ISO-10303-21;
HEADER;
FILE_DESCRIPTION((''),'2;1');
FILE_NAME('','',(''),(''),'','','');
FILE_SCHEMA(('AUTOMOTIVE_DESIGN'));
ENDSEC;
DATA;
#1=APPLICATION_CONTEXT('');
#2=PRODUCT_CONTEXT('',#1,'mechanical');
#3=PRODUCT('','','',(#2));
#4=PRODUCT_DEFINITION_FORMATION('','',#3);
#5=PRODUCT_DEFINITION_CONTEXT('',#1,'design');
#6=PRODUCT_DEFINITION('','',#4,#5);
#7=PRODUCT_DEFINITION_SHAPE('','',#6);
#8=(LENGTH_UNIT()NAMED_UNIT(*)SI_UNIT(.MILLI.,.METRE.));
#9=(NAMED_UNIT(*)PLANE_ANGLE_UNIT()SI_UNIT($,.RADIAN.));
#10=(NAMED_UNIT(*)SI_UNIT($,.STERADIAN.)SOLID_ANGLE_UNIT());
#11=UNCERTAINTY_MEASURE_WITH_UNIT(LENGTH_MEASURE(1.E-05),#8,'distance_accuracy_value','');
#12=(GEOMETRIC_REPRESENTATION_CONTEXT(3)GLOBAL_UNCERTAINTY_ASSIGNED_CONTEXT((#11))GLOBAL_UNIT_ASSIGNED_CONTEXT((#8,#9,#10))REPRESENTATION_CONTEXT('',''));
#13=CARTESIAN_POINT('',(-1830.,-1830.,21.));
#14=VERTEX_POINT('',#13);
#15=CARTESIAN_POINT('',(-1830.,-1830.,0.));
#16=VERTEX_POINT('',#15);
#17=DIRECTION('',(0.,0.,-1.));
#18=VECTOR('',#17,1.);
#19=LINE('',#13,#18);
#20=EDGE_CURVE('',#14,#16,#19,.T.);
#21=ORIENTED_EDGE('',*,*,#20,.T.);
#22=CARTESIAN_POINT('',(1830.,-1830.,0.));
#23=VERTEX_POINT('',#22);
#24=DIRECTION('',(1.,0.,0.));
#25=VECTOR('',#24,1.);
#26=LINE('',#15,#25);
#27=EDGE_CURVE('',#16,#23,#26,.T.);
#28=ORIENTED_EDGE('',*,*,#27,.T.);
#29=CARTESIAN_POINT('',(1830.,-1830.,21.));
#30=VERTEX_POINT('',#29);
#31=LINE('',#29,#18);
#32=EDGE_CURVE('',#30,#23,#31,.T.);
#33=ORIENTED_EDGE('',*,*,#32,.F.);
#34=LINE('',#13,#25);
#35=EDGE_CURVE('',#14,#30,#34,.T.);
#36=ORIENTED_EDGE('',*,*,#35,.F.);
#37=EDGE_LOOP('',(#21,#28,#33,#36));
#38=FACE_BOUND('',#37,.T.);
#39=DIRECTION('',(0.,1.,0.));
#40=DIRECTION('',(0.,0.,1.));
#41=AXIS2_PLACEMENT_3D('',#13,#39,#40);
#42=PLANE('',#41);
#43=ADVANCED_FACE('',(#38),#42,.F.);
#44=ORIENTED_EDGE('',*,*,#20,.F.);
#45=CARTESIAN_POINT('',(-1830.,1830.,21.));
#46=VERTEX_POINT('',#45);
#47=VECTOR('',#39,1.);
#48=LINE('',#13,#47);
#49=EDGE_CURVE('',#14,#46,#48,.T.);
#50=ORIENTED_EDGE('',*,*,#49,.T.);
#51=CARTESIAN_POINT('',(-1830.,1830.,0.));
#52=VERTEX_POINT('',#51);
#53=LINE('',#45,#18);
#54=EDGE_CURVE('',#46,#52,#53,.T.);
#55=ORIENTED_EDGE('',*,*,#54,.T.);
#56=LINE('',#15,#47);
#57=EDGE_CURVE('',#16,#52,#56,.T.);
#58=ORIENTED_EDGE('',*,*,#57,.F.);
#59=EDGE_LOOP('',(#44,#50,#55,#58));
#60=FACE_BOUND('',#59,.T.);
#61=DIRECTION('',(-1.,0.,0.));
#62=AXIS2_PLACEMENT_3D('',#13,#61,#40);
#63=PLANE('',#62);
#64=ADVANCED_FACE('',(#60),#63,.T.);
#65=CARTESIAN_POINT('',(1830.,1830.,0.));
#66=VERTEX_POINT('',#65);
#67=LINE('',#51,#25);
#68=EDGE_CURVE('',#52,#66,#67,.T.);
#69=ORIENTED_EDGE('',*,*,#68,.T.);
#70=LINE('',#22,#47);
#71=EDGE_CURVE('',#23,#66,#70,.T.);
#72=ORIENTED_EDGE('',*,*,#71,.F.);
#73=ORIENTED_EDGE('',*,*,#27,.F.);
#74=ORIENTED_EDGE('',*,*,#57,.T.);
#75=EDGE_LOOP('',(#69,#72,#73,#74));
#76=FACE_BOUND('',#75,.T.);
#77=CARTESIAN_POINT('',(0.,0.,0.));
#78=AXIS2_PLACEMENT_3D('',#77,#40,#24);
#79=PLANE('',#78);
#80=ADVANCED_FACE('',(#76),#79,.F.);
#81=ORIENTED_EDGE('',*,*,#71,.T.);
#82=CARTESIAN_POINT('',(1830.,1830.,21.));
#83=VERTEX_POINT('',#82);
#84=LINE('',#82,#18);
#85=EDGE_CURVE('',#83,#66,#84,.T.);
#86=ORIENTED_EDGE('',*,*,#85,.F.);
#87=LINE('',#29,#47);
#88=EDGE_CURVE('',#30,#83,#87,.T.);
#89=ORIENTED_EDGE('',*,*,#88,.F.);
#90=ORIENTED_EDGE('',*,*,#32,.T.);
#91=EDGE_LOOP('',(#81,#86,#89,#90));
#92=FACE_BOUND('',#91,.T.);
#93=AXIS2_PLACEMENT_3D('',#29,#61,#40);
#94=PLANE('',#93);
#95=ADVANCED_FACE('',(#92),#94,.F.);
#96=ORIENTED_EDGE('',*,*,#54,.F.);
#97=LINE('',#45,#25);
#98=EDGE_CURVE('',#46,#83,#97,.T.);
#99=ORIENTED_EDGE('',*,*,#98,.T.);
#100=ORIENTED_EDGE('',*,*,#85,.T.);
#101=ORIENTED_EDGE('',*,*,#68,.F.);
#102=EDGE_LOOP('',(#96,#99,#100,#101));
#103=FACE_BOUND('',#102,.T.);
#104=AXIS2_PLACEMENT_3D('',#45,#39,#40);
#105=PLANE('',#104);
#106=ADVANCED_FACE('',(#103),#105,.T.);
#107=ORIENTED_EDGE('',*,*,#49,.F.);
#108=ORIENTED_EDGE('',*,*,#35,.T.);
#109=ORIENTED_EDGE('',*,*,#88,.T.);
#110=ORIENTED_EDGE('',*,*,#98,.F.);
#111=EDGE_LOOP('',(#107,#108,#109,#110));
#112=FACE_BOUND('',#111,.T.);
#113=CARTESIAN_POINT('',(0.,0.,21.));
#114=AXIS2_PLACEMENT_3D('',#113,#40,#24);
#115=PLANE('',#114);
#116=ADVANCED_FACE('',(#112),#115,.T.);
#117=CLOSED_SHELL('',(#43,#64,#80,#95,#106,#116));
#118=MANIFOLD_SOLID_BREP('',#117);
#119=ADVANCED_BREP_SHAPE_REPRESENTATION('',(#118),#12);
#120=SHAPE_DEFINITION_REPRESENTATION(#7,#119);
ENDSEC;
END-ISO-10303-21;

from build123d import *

# Parameters (mm, degrees)
SKETCH1_W           = 3660
SKETCH1_H           = 3660
BOSS_EXTRUDE1_DEPTH = 21


with BuildPart() as part:
    # Sketch1 → Boss-Extrude1 (new body)
    with BuildSketch(Plane.XY):
        Rectangle(SKETCH1_W, SKETCH1_H)
    extrude(amount=BOSS_EXTRUDE1_DEPTH)


solid = part.part
